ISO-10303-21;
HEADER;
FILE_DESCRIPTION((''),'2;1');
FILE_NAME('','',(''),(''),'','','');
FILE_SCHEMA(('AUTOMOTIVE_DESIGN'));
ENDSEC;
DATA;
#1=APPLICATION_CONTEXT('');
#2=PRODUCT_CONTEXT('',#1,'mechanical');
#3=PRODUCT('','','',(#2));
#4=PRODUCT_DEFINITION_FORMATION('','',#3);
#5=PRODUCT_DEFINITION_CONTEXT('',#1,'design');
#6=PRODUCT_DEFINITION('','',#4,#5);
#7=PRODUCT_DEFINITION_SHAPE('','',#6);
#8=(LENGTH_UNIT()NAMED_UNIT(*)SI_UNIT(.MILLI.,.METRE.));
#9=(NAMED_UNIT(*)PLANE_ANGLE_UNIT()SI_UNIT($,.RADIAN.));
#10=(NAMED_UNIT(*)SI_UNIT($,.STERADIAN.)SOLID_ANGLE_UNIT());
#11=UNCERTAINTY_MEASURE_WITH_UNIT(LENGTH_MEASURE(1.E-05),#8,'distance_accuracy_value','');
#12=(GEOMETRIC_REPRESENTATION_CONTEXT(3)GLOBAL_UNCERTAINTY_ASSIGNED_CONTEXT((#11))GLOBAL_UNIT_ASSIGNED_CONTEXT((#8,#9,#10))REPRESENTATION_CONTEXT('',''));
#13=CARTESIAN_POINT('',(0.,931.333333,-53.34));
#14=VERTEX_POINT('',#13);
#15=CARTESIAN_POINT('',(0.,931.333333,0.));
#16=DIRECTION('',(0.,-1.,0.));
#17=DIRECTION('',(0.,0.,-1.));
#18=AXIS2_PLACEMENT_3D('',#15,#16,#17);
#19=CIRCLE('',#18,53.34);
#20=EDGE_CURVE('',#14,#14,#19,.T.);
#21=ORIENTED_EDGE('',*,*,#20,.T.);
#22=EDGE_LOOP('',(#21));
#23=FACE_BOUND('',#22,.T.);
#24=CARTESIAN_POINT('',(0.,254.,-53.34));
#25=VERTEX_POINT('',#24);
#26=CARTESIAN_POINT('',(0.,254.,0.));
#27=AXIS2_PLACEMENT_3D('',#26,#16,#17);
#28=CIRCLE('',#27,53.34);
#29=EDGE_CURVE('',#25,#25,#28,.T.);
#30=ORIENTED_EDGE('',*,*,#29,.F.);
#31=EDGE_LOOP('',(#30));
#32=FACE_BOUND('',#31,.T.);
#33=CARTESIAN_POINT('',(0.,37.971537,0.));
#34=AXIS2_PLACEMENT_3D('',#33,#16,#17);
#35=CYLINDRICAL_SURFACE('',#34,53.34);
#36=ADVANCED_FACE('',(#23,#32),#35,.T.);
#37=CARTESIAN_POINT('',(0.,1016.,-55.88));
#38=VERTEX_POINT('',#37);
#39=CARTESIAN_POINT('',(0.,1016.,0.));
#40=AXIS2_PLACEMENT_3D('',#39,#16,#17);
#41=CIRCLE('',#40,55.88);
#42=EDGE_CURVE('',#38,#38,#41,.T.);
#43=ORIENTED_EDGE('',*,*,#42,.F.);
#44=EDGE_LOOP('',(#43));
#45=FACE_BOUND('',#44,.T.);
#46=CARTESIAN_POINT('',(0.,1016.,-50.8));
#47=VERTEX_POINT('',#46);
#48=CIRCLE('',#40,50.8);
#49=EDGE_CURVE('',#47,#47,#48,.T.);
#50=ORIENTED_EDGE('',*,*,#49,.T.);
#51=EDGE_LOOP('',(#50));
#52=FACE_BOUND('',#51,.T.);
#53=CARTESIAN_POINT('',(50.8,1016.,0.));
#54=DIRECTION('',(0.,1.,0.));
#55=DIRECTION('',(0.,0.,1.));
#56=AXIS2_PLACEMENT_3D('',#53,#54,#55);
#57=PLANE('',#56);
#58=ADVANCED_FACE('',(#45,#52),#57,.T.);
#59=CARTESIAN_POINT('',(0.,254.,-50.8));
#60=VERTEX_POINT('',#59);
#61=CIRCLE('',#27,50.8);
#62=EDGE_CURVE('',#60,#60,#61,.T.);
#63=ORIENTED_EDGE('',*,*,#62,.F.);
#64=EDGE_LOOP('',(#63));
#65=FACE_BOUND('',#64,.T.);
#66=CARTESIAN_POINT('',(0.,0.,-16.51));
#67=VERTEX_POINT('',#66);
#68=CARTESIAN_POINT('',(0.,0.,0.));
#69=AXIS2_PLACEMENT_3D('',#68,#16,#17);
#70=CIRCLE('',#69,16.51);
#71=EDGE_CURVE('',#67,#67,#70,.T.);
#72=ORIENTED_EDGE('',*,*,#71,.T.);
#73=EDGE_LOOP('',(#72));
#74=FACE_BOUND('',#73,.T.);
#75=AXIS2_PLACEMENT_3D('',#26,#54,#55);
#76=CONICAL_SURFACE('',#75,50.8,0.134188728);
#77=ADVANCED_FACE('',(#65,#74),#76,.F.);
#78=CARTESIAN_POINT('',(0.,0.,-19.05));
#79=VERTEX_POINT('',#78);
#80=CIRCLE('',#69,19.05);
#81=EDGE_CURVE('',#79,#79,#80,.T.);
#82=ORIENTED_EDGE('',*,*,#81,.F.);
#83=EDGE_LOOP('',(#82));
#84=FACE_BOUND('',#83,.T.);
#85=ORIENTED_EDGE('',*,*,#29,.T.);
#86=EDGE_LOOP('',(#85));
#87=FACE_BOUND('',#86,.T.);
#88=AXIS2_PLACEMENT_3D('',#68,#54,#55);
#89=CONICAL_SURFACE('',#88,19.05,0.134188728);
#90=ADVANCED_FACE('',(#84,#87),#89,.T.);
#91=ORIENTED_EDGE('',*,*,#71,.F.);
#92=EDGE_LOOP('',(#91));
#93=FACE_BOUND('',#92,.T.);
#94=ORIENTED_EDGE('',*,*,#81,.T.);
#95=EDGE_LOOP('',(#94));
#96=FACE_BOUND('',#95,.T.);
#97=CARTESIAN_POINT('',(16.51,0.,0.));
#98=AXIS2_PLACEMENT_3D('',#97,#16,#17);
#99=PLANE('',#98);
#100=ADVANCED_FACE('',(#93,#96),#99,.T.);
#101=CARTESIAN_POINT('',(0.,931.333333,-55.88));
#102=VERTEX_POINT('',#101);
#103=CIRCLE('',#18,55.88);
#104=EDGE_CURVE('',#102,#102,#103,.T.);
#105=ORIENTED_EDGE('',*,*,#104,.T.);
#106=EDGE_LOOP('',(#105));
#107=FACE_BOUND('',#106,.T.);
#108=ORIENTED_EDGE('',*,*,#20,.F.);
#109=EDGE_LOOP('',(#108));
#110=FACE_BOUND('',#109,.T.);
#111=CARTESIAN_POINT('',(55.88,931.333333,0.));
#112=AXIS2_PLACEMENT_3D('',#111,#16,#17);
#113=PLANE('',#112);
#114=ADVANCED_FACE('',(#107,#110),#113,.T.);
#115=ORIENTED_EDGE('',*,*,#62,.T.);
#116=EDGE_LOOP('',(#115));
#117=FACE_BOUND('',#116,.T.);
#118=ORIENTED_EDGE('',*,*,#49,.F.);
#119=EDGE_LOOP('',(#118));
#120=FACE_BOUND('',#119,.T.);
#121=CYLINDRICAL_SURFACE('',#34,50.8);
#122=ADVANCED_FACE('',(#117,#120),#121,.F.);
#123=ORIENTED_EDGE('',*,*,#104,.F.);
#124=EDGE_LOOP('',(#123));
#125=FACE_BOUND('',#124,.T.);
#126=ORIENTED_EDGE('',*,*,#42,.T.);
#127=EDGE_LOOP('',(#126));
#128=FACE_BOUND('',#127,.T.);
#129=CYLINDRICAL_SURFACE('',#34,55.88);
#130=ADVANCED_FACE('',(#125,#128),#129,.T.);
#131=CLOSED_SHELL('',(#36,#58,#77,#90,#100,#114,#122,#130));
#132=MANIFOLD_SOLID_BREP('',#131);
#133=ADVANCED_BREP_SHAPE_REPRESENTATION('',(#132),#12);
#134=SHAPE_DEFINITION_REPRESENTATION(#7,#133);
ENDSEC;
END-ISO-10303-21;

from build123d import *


with BuildPart() as part:
    # Sketch1 → Revolve1 (revolve)
    with BuildSketch(Plane.XY):
        Polygon((19.05, 0), (53.34, 254), (53.34, 931.333333333), (55.88, 931.333333333), (55.88, 1016), (50.8, 1016), (50.8, 254), (16.51, 0), align=None)
    revolve(axis=Axis((0, 37.971537268, 0), (0, 1, 0)))


solid = part.part
